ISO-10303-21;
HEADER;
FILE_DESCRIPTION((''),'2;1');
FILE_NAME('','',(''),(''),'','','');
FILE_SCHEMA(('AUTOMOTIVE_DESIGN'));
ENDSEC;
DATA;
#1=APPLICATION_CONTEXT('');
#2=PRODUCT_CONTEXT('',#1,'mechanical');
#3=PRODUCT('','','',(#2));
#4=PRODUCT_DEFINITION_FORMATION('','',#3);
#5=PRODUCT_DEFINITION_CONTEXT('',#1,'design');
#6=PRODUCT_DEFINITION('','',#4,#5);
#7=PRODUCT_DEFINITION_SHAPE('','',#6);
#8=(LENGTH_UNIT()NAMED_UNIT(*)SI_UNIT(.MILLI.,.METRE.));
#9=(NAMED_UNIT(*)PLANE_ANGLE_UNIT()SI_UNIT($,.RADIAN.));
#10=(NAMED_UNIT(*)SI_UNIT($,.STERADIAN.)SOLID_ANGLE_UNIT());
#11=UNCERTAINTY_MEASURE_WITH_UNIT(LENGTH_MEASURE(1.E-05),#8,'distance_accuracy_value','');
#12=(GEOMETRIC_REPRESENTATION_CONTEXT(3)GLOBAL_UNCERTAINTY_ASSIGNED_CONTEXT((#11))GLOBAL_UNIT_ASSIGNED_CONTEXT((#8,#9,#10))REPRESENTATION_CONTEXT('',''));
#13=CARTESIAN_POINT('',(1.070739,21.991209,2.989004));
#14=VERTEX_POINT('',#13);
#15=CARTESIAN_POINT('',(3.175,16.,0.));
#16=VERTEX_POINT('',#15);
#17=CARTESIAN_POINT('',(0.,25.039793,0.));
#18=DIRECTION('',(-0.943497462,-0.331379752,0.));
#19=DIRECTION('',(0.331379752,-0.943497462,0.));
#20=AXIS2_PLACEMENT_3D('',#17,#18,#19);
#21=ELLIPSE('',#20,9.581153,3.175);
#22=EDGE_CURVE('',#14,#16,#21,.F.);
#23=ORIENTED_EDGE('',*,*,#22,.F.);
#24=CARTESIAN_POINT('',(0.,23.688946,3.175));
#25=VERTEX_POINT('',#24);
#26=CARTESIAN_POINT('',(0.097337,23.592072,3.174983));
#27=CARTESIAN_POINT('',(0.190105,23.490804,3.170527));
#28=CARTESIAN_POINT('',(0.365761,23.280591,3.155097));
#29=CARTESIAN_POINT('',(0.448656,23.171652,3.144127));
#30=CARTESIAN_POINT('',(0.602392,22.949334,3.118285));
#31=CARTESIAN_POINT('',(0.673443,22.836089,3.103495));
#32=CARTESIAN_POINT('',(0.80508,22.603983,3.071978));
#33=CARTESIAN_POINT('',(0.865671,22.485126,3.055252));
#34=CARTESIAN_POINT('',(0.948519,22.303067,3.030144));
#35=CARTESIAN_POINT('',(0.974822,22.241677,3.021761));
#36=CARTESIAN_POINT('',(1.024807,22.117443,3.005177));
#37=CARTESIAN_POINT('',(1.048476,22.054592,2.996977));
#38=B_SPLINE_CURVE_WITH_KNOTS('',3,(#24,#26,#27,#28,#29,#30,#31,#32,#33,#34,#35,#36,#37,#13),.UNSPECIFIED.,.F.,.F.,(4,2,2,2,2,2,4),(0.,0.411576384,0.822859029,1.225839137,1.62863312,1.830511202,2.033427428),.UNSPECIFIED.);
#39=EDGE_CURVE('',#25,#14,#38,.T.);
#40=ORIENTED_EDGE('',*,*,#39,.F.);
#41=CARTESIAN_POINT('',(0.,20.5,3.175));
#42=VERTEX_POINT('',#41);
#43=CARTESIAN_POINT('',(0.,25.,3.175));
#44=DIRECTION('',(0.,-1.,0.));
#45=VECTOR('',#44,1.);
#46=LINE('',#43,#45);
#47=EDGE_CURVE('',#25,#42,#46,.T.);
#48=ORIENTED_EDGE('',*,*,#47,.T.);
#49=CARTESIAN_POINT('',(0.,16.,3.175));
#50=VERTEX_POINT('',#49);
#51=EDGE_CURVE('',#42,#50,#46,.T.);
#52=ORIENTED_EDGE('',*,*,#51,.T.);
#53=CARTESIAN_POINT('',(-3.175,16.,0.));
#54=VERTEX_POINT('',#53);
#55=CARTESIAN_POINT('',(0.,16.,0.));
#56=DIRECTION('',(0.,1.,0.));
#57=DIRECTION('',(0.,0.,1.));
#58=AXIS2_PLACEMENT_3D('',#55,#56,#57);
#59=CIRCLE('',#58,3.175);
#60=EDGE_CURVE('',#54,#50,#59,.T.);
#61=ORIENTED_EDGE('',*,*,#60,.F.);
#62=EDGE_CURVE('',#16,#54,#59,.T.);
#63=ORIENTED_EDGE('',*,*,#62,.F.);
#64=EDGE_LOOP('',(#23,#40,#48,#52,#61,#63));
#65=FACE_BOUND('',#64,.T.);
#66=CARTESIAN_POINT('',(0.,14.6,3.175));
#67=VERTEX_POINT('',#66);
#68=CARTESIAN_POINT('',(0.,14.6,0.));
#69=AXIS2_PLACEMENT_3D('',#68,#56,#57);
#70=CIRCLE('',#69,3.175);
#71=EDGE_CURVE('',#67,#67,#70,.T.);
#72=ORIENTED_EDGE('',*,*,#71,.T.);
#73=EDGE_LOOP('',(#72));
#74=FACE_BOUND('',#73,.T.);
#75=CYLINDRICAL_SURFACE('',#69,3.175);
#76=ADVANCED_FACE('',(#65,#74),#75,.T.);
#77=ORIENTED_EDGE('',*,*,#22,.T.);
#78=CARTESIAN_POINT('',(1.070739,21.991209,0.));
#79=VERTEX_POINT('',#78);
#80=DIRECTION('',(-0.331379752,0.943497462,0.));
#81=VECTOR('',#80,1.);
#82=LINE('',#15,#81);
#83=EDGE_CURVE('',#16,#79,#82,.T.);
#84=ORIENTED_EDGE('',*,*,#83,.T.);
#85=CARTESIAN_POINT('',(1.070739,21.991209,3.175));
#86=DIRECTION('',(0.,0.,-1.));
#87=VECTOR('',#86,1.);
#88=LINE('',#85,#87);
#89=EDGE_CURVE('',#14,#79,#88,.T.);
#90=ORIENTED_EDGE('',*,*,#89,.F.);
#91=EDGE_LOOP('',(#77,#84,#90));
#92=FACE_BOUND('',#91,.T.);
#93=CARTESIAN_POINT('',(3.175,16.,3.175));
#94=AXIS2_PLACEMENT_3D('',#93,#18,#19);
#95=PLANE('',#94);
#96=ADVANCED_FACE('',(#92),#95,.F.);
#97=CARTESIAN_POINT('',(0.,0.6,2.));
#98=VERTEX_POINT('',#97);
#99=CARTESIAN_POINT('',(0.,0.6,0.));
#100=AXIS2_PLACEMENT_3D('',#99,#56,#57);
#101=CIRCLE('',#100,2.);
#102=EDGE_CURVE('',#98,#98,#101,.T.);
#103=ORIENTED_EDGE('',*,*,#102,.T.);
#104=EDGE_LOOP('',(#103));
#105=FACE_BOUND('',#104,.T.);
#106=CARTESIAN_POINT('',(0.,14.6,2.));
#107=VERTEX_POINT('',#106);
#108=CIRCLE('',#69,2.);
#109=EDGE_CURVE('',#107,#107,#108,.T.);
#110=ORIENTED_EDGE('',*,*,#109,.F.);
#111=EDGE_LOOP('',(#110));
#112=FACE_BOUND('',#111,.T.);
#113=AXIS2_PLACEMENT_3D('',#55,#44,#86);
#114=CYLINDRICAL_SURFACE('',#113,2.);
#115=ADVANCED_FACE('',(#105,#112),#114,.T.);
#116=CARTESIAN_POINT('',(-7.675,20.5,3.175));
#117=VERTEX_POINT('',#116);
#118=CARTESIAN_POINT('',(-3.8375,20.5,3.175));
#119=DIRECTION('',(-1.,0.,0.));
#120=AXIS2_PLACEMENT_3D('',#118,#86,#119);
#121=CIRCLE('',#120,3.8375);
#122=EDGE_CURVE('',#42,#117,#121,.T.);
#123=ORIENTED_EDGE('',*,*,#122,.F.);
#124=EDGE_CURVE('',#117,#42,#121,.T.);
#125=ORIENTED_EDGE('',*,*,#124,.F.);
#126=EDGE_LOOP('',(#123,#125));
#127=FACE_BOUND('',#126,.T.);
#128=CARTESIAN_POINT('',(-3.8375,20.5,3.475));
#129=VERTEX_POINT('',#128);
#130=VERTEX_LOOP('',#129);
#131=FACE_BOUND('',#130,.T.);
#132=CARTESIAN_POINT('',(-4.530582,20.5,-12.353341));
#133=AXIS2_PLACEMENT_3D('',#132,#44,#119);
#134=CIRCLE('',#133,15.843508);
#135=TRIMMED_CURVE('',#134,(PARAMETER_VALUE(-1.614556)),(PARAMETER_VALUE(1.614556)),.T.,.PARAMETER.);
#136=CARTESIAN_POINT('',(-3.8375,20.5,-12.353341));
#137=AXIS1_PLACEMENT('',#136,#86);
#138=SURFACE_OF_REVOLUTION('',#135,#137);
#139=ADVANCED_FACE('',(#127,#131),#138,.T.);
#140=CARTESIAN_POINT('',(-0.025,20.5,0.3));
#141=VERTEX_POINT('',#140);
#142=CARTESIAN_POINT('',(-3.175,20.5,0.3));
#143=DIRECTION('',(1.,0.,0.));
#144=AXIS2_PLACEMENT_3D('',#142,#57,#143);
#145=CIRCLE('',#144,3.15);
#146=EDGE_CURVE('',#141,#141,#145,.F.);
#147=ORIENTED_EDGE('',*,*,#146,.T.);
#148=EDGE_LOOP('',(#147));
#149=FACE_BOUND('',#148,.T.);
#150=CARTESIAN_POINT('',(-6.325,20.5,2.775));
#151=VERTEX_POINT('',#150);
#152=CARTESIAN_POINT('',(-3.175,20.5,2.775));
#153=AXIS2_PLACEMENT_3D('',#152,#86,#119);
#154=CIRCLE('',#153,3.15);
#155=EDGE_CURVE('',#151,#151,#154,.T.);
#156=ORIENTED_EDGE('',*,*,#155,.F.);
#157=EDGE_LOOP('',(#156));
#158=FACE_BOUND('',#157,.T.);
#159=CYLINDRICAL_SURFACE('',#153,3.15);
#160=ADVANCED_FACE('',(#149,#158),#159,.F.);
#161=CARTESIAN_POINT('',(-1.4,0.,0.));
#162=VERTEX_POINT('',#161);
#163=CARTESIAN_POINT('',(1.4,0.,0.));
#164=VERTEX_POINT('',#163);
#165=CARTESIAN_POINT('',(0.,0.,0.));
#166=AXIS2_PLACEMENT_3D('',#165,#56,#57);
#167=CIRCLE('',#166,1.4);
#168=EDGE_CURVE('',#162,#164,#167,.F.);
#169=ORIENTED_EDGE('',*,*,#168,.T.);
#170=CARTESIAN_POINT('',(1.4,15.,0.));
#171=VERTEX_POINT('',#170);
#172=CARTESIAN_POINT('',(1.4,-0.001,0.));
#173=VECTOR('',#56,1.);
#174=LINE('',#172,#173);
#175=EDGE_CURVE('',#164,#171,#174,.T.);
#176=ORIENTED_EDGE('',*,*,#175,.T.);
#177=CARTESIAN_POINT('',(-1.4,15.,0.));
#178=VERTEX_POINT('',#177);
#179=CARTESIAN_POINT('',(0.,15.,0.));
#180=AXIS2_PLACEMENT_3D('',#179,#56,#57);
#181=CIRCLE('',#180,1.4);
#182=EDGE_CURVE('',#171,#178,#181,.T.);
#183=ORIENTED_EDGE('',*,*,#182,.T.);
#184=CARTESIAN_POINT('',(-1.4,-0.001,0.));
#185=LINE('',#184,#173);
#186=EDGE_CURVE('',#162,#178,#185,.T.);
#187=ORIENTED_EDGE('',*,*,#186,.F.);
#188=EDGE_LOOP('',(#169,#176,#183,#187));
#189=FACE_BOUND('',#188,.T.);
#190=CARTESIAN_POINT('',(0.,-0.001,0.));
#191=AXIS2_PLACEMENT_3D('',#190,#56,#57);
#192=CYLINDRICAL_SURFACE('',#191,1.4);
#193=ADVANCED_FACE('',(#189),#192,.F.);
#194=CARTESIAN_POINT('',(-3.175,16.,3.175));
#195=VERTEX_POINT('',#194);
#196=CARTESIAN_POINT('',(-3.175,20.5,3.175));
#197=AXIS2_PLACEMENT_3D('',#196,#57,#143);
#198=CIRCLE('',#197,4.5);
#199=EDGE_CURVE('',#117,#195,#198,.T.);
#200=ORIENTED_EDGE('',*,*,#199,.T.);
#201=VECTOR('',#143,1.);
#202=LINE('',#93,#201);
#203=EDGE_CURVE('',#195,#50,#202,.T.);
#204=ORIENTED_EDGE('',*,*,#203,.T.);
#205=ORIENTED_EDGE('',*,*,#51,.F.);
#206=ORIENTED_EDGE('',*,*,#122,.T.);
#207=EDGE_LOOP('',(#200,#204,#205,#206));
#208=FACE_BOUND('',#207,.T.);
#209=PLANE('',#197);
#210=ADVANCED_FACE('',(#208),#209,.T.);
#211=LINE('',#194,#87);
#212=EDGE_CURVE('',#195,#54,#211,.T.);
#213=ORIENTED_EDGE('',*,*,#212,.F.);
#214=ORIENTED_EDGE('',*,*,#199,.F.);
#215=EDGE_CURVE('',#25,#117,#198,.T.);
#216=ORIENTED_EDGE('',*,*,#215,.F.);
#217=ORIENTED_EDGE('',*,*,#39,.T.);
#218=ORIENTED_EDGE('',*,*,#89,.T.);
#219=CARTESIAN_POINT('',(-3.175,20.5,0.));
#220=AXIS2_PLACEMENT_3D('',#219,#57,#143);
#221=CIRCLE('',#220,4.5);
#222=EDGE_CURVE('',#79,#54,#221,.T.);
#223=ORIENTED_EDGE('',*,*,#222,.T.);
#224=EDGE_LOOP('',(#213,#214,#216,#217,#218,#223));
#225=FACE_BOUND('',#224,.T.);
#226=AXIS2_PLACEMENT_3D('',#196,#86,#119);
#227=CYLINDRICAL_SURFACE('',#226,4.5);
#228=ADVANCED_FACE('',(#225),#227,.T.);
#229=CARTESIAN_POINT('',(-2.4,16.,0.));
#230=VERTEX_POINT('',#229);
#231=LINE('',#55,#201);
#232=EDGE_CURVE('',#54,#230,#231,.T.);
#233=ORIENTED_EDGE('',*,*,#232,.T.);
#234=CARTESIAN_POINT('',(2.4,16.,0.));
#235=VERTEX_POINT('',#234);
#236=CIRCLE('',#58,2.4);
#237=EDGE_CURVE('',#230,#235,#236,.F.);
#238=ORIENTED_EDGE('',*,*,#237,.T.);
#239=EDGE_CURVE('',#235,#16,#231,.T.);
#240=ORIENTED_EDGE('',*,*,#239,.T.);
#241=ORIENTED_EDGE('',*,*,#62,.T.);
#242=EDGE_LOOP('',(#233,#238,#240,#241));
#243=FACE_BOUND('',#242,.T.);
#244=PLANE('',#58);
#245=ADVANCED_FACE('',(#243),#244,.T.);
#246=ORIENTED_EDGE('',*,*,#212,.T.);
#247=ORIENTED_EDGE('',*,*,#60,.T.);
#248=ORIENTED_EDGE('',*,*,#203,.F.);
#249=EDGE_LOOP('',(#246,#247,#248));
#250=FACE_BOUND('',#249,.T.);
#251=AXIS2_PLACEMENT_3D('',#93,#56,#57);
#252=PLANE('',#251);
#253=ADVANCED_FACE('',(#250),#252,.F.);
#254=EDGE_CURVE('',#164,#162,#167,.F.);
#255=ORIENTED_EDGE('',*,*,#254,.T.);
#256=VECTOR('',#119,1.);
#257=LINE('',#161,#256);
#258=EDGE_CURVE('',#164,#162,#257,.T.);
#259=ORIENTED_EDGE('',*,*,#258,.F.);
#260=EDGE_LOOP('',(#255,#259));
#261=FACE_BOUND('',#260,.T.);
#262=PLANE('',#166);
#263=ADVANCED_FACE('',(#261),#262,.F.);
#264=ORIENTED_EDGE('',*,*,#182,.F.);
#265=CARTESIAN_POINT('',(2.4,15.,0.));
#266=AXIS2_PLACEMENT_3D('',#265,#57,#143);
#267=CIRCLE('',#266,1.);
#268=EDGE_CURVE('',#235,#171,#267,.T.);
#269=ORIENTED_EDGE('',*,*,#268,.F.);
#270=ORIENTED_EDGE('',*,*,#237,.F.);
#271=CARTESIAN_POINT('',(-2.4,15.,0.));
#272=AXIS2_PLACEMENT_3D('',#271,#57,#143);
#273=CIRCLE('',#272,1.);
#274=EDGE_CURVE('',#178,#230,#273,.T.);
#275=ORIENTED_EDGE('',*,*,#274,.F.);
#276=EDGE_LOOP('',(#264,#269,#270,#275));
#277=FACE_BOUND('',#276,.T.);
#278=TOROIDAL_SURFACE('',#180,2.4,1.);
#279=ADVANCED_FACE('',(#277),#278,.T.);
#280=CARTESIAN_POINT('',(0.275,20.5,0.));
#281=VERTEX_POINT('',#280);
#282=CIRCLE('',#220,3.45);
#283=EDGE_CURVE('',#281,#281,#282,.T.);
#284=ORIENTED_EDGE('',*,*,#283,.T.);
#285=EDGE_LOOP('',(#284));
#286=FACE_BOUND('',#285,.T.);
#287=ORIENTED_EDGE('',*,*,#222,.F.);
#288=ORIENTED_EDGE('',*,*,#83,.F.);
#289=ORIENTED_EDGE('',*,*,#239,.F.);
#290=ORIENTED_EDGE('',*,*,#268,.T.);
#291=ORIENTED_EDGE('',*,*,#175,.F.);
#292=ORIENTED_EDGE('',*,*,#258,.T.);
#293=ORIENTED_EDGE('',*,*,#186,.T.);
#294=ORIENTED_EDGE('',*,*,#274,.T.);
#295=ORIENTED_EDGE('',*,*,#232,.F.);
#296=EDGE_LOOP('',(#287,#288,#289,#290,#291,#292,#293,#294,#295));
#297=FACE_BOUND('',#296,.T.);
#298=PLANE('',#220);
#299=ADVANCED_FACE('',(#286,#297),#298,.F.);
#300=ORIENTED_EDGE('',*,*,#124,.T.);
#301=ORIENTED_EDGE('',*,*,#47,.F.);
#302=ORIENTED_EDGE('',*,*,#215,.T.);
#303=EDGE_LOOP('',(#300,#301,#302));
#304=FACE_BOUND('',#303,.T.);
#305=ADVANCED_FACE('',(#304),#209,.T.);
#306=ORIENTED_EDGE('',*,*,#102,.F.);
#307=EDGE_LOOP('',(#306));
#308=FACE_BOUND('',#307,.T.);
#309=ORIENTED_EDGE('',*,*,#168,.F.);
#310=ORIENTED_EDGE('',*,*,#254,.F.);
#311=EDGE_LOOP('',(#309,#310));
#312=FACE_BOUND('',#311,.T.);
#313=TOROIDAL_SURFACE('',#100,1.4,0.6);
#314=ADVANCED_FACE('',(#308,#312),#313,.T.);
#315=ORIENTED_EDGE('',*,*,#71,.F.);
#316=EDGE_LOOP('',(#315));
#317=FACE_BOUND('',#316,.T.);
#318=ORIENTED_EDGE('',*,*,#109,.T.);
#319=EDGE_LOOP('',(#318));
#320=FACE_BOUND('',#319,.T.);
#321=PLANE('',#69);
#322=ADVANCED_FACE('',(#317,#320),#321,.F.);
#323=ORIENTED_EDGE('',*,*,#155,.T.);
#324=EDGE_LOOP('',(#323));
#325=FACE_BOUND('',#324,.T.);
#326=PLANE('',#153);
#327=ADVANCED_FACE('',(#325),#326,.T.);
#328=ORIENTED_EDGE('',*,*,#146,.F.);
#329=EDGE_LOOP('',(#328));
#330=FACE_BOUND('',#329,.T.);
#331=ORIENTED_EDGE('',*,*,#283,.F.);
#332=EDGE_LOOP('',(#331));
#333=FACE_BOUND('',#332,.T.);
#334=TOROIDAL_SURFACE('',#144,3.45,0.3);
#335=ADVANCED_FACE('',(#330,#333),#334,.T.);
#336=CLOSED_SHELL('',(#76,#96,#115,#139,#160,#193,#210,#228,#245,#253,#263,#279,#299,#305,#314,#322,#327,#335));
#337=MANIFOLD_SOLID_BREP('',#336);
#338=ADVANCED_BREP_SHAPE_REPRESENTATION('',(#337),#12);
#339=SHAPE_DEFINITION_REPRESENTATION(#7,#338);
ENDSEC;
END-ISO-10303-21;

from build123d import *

# Parameters (mm, degrees)
SKETCH_1_R           = 2
EXTRUDE_1_DEPTH      = 16
EXTRUDE_2_DEPTH      = 3.175
SKETCH_4_R           = 3.15
CUT_EXTRUDE_6_DEPTH  = 2.775
FILLET_3_R           = 0.6
SKETCH_7_R           = 3.175
EXTRUDE_3_DEPTH      = 1.4
CUT_EXTRUDE_10_DEPTH = 10
FILLET_4_R           = 0.3
CUT_EXTRUDE_11_REACH = 18
FILLET_5_R           = 1


with BuildPart() as part:
    # 草图1 → 凸台-拉伸1 (new body)
    with BuildSketch(Plane(origin=(0, 0, 0), x_dir=(1, 0, 0), z_dir=(0, 1, 0))):
        Circle(SKETCH_1_R)
    extrude(amount=EXTRUDE_1_DEPTH)

    # 草图2 → 凸台-拉伸2 (add)
    with BuildSketch(Plane.XY):
        with BuildLine():
            Line((3.175, 16), (1.070738578, 21.991208882))
            ThreePointArc((1.070738578, 21.991208882), (-6.846541908, 23.101880092), (-3.175, 16))
            Line((-3.175, 16), (3.175, 16))
        make_face()
    extrude(amount=EXTRUDE_2_DEPTH)

    # 草图4 → 切除-拉伸6 (cut)
    with BuildSketch(Plane(origin=(0, 0, 0), x_dir=(-1, 0, 0), z_dir=(0, 0, -1))):
        with Locations((3.175, 20.5)):
            Circle(SKETCH_4_R)
    extrude(amount=-CUT_EXTRUDE_6_DEPTH, mode=Mode.SUBTRACT)

    # 圆角3
    fillet_3_edges = [part.edges().sort_by_distance(p)[0] for p in [
        (-2, 0, 0),
    ]]
    fillet(fillet_3_edges, radius=FILLET_3_R)

    # 草图7 → 凸台-拉伸3 (add)
    with BuildSketch(Plane(origin=(0, 16, 0), x_dir=(1, 0, 0), z_dir=(0, 1, 0))):
        Circle(SKETCH_7_R)
    extrude(amount=-EXTRUDE_3_DEPTH)

    # 草图11 → 切除-拉伸10 (cut, through all)
    with BuildSketch(Plane.XZ.offset(-16)):
        with BuildLine():
            Line((3.175, 3.175), (3.50604204, 0.275))
            Line((3.50604204, 0.275), (3.175, 0))
            ThreePointArc((3.175, 0), (2.24506403, 2.24506403), (0, 3.175))
            Line((0, 3.175), (3.175, 3.175))
        make_face()
    extrude(amount=-CUT_EXTRUDE_10_DEPTH, mode=Mode.SUBTRACT)

    # 草图12 → 旋转1 (revolve)
    with BuildSketch(Plane(origin=(0, 20.5, 0), x_dir=(-1, 0, 0), z_dir=(0, -1, 0))):
        with BuildLine():
            Line((3.8375, -3.175), (3.8375, -3.475))
            ThreePointArc((3.8375, -3.475), (5.765394552, -3.441974066), (7.675, -3.175))
            Line((7.675, -3.175), (3.8375, -3.175))
        make_face()
    revolve(axis=Axis((-3.8375, 20.5, 3.175), (0, 0, 1)))

    # 圆角4
    fillet_4_edges = [part.edges().sort_by_distance(p)[0] for p in [
        (-0.025, 20.5, 0),
    ]]
    fillet(fillet_4_edges, radius=FILLET_4_R)

    # 草图13 → 切除-拉伸11 (cut, up to next)
    with BuildSketch(Plane(origin=(0, 16, 0), x_dir=(1, 0, 0), z_dir=(0, 1, 0)), mode=Mode.PRIVATE) as cut_extrude_11_sk1:
        with BuildLine():
            Line((-1.4, 0), (1.4, 0))
            ThreePointArc((1.4, 0), (0, 1.4), (-1.4, 0))
        make_face()
    cut_extrude_11_tool1 = extrude(cut_extrude_11_sk1.sketch, amount=-CUT_EXTRUDE_11_REACH, mode=Mode.PRIVATE) & part.part
    add(cut_extrude_11_tool1.solids().sort_by_distance((0, 16, -0.594178))[0], mode=Mode.SUBTRACT)

    # 圆角5
    fillet_5_edges = [part.edges().sort_by_distance(p)[0] for p in [
        (0, 16, -1.4),
    ]]
    fillet(fillet_5_edges, radius=FILLET_5_R)


solid = part.part
